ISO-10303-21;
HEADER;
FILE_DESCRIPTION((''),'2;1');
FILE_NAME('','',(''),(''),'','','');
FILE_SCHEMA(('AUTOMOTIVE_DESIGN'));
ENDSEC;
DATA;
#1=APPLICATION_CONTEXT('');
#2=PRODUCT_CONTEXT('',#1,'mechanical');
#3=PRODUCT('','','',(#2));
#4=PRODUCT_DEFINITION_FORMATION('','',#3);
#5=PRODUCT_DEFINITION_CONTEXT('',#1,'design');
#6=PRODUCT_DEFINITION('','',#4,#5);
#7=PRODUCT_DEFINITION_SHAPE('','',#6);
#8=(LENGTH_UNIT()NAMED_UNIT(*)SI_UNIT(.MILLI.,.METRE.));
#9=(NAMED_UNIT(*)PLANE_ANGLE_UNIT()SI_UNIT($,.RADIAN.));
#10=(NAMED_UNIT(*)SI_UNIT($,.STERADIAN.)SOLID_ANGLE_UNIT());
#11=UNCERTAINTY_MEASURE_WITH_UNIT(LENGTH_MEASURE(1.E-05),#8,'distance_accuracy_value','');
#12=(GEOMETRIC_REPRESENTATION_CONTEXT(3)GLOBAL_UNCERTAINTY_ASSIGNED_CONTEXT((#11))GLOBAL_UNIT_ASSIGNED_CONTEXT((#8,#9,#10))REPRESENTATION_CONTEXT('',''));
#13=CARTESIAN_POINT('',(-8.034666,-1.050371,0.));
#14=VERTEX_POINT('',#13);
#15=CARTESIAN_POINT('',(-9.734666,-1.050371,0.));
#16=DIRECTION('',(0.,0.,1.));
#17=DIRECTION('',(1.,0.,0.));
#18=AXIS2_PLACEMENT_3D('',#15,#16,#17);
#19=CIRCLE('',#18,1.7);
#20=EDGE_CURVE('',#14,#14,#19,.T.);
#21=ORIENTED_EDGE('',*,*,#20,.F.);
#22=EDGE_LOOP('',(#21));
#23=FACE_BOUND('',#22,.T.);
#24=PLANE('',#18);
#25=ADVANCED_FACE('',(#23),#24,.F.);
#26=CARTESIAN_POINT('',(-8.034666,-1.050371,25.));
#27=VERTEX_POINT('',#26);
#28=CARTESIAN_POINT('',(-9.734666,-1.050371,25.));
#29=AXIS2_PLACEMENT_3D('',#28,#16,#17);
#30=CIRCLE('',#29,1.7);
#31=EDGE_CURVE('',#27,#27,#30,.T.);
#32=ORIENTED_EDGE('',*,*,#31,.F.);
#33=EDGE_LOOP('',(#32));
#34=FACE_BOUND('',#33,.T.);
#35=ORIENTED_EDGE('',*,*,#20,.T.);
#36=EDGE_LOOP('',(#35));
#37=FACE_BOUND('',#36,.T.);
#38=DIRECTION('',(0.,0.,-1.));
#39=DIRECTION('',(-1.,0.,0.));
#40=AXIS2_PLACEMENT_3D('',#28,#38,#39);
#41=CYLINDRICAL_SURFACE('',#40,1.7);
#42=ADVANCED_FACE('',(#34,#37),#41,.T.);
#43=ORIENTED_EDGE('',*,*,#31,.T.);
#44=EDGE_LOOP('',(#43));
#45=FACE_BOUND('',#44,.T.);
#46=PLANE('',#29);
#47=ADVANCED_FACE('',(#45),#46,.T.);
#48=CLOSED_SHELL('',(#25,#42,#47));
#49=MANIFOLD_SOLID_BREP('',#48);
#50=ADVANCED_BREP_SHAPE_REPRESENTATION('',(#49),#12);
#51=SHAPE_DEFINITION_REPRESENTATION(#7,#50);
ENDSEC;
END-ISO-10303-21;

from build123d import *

# Parameters (mm, degrees)
SCHIZZO1_R                   = 1.7
ESTRUSIONE_ESTRUSIONE1_DEPTH = 25


with BuildPart() as part:
    # Schizzo1 → Estrusione-Estrusione1 (new body)
    with BuildSketch(Plane.XY):
        with Locations((-9.734665943, -1.05037081)):
            Circle(SCHIZZO1_R)
    extrude(amount=ESTRUSIONE_ESTRUSIONE1_DEPTH)


solid = part.part
